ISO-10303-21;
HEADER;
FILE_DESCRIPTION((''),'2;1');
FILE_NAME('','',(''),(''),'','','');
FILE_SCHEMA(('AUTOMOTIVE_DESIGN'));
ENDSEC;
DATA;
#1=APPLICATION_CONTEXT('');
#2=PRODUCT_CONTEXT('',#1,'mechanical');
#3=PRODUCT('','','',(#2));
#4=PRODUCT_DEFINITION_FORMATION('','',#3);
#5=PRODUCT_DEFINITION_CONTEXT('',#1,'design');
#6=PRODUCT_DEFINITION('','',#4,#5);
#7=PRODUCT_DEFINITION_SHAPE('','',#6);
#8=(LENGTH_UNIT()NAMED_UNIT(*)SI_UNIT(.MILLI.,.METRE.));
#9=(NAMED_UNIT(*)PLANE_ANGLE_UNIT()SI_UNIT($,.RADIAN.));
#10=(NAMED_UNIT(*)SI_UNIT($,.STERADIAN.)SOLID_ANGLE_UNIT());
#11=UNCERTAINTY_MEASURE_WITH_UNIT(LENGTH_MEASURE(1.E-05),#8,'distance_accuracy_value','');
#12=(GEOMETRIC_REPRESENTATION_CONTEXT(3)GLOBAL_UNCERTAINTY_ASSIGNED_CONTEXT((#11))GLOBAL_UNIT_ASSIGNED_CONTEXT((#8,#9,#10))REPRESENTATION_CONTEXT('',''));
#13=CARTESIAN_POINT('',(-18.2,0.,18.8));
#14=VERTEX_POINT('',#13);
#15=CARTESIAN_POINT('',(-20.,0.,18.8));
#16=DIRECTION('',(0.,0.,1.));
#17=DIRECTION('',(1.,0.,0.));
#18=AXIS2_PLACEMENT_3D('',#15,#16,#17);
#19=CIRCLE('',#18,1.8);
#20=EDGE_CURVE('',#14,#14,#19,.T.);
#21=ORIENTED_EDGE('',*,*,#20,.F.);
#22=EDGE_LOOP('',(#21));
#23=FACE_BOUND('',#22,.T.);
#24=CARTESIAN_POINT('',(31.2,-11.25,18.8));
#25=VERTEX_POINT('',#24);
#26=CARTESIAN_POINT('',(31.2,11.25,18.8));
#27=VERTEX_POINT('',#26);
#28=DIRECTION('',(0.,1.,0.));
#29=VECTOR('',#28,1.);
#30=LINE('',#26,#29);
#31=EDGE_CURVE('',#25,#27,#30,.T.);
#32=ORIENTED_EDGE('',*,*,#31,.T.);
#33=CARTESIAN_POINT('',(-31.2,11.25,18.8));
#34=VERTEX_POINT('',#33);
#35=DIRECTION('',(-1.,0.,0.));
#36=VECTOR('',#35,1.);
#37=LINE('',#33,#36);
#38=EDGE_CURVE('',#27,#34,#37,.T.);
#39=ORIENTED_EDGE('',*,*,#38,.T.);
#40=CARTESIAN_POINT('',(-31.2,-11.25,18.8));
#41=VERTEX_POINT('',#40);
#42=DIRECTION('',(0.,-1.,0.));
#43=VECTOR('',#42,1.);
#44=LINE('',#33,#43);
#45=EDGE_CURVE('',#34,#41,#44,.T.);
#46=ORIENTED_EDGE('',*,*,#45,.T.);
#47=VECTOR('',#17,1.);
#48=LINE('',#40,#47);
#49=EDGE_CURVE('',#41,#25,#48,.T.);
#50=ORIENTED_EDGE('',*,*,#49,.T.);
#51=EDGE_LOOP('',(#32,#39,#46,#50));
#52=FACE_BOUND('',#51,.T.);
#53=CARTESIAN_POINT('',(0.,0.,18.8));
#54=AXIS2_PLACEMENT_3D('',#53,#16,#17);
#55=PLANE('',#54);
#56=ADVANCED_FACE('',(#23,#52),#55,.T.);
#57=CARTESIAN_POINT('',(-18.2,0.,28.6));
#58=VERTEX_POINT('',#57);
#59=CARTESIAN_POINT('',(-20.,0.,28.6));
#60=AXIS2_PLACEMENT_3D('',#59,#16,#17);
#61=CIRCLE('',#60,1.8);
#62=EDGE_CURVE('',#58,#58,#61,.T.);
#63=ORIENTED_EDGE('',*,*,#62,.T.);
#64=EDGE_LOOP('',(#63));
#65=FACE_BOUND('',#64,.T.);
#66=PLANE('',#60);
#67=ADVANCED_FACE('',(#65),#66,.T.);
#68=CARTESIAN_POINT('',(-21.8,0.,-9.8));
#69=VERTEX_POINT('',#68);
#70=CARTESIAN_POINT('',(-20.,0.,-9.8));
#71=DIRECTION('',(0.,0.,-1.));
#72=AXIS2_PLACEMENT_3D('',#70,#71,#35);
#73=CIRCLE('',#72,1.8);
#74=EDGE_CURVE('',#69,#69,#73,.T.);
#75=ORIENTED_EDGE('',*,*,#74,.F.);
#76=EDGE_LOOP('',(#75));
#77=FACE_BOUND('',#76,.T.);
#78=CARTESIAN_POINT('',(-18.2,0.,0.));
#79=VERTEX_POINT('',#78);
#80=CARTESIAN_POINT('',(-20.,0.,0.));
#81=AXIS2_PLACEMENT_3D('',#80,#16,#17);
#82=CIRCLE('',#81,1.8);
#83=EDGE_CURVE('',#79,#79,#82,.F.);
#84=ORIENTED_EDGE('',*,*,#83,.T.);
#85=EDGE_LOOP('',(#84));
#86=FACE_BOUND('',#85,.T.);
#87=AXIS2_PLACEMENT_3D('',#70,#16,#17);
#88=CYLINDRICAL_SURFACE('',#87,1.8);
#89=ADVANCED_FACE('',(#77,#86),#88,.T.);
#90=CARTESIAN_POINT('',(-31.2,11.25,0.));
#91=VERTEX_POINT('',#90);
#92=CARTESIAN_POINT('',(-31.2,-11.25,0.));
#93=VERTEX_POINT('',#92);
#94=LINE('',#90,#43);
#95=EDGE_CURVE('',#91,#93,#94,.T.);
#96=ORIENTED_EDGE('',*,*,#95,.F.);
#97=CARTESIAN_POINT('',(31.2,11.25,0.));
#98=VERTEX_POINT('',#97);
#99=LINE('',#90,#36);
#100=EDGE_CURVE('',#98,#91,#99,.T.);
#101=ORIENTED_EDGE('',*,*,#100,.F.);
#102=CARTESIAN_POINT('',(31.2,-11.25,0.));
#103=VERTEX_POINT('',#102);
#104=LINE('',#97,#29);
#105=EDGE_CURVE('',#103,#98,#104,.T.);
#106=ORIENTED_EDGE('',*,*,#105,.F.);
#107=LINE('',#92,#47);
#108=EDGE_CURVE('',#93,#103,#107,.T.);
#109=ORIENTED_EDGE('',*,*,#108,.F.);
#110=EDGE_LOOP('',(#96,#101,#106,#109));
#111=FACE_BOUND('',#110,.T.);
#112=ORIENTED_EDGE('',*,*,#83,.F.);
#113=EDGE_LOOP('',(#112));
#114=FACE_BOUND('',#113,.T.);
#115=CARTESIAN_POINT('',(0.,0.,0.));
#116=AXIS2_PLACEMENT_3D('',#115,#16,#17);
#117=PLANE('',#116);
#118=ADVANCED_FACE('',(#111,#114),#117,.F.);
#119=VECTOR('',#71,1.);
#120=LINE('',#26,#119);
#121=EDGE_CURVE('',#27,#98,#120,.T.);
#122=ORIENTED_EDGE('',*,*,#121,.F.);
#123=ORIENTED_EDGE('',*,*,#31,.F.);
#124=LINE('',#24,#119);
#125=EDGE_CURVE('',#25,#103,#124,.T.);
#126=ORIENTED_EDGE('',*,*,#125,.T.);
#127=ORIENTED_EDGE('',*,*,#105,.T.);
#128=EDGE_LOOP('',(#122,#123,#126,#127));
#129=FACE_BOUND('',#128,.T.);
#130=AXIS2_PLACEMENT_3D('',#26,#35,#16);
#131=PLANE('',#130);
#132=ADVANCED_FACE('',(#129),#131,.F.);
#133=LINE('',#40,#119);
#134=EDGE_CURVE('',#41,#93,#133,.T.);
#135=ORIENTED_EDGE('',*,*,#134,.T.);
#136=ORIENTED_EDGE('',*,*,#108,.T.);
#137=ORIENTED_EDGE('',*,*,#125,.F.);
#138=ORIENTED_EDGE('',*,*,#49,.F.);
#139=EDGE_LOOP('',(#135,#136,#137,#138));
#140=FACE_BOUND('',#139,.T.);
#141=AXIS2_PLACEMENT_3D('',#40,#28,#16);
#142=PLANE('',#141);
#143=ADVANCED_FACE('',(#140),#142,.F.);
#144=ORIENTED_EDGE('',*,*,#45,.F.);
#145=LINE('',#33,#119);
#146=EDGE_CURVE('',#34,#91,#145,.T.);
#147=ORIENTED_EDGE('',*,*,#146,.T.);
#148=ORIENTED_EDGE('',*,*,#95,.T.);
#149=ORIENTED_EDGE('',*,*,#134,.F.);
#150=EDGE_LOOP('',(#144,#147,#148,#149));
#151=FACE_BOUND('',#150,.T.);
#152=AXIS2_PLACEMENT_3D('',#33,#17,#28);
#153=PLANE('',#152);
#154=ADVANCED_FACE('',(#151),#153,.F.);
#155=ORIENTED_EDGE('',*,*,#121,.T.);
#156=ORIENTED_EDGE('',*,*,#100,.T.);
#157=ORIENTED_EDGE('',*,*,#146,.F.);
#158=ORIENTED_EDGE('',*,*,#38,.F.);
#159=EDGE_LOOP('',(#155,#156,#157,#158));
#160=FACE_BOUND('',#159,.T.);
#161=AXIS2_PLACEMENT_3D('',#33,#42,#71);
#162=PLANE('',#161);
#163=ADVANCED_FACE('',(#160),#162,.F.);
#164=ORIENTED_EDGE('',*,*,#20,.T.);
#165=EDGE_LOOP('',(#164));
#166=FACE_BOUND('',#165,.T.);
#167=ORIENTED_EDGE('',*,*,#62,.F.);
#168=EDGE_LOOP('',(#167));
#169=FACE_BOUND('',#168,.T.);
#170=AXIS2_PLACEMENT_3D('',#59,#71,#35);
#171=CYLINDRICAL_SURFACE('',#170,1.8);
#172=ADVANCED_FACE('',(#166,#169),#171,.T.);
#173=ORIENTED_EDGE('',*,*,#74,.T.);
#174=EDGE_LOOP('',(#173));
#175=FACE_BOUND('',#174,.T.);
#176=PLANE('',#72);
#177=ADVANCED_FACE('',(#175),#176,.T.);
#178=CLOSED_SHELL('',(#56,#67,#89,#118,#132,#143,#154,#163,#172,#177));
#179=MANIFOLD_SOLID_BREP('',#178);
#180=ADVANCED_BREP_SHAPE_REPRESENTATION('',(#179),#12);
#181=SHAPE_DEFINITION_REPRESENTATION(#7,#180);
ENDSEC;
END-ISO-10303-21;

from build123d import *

# Parameters (mm, degrees)
SKETCH1_W           = 62.4
SKETCH1_H           = 22.5
BOSS_EXTRUDE1_DEPTH = 18.8
SKETCH2_R           = 1.8
BOSS_EXTRUDE2_DEPTH = 9.8
BOSS_EXTRUDE3_START = 9.8
SKETCH3_R           = 1.8
BOSS_EXTRUDE3_DEPTH = 9.8


with BuildPart() as part:
    # Sketch1 → Boss-Extrude1 (new body)
    with BuildSketch(Plane.XY):
        Rectangle(SKETCH1_W, SKETCH1_H)
    extrude(amount=BOSS_EXTRUDE1_DEPTH)

    # Sketch2 → Boss-Extrude2 (add)
    with BuildSketch(Plane.XY.offset(18.8)):
        with Locations((-20, 0)):
            Circle(SKETCH2_R)
    extrude(amount=BOSS_EXTRUDE2_DEPTH)

    # Sketch3 → Boss-Extrude3 (add)
    with BuildSketch(Plane(origin=(0, 0, 0), x_dir=(-1, 0, 0), z_dir=(0, 0, -1)).offset(BOSS_EXTRUDE3_START)):
        with Locations(Location((20, 0, 0), (0, 0, 180))):
            Circle(SKETCH3_R)
    extrude(amount=-BOSS_EXTRUDE3_DEPTH)


solid = part.part
